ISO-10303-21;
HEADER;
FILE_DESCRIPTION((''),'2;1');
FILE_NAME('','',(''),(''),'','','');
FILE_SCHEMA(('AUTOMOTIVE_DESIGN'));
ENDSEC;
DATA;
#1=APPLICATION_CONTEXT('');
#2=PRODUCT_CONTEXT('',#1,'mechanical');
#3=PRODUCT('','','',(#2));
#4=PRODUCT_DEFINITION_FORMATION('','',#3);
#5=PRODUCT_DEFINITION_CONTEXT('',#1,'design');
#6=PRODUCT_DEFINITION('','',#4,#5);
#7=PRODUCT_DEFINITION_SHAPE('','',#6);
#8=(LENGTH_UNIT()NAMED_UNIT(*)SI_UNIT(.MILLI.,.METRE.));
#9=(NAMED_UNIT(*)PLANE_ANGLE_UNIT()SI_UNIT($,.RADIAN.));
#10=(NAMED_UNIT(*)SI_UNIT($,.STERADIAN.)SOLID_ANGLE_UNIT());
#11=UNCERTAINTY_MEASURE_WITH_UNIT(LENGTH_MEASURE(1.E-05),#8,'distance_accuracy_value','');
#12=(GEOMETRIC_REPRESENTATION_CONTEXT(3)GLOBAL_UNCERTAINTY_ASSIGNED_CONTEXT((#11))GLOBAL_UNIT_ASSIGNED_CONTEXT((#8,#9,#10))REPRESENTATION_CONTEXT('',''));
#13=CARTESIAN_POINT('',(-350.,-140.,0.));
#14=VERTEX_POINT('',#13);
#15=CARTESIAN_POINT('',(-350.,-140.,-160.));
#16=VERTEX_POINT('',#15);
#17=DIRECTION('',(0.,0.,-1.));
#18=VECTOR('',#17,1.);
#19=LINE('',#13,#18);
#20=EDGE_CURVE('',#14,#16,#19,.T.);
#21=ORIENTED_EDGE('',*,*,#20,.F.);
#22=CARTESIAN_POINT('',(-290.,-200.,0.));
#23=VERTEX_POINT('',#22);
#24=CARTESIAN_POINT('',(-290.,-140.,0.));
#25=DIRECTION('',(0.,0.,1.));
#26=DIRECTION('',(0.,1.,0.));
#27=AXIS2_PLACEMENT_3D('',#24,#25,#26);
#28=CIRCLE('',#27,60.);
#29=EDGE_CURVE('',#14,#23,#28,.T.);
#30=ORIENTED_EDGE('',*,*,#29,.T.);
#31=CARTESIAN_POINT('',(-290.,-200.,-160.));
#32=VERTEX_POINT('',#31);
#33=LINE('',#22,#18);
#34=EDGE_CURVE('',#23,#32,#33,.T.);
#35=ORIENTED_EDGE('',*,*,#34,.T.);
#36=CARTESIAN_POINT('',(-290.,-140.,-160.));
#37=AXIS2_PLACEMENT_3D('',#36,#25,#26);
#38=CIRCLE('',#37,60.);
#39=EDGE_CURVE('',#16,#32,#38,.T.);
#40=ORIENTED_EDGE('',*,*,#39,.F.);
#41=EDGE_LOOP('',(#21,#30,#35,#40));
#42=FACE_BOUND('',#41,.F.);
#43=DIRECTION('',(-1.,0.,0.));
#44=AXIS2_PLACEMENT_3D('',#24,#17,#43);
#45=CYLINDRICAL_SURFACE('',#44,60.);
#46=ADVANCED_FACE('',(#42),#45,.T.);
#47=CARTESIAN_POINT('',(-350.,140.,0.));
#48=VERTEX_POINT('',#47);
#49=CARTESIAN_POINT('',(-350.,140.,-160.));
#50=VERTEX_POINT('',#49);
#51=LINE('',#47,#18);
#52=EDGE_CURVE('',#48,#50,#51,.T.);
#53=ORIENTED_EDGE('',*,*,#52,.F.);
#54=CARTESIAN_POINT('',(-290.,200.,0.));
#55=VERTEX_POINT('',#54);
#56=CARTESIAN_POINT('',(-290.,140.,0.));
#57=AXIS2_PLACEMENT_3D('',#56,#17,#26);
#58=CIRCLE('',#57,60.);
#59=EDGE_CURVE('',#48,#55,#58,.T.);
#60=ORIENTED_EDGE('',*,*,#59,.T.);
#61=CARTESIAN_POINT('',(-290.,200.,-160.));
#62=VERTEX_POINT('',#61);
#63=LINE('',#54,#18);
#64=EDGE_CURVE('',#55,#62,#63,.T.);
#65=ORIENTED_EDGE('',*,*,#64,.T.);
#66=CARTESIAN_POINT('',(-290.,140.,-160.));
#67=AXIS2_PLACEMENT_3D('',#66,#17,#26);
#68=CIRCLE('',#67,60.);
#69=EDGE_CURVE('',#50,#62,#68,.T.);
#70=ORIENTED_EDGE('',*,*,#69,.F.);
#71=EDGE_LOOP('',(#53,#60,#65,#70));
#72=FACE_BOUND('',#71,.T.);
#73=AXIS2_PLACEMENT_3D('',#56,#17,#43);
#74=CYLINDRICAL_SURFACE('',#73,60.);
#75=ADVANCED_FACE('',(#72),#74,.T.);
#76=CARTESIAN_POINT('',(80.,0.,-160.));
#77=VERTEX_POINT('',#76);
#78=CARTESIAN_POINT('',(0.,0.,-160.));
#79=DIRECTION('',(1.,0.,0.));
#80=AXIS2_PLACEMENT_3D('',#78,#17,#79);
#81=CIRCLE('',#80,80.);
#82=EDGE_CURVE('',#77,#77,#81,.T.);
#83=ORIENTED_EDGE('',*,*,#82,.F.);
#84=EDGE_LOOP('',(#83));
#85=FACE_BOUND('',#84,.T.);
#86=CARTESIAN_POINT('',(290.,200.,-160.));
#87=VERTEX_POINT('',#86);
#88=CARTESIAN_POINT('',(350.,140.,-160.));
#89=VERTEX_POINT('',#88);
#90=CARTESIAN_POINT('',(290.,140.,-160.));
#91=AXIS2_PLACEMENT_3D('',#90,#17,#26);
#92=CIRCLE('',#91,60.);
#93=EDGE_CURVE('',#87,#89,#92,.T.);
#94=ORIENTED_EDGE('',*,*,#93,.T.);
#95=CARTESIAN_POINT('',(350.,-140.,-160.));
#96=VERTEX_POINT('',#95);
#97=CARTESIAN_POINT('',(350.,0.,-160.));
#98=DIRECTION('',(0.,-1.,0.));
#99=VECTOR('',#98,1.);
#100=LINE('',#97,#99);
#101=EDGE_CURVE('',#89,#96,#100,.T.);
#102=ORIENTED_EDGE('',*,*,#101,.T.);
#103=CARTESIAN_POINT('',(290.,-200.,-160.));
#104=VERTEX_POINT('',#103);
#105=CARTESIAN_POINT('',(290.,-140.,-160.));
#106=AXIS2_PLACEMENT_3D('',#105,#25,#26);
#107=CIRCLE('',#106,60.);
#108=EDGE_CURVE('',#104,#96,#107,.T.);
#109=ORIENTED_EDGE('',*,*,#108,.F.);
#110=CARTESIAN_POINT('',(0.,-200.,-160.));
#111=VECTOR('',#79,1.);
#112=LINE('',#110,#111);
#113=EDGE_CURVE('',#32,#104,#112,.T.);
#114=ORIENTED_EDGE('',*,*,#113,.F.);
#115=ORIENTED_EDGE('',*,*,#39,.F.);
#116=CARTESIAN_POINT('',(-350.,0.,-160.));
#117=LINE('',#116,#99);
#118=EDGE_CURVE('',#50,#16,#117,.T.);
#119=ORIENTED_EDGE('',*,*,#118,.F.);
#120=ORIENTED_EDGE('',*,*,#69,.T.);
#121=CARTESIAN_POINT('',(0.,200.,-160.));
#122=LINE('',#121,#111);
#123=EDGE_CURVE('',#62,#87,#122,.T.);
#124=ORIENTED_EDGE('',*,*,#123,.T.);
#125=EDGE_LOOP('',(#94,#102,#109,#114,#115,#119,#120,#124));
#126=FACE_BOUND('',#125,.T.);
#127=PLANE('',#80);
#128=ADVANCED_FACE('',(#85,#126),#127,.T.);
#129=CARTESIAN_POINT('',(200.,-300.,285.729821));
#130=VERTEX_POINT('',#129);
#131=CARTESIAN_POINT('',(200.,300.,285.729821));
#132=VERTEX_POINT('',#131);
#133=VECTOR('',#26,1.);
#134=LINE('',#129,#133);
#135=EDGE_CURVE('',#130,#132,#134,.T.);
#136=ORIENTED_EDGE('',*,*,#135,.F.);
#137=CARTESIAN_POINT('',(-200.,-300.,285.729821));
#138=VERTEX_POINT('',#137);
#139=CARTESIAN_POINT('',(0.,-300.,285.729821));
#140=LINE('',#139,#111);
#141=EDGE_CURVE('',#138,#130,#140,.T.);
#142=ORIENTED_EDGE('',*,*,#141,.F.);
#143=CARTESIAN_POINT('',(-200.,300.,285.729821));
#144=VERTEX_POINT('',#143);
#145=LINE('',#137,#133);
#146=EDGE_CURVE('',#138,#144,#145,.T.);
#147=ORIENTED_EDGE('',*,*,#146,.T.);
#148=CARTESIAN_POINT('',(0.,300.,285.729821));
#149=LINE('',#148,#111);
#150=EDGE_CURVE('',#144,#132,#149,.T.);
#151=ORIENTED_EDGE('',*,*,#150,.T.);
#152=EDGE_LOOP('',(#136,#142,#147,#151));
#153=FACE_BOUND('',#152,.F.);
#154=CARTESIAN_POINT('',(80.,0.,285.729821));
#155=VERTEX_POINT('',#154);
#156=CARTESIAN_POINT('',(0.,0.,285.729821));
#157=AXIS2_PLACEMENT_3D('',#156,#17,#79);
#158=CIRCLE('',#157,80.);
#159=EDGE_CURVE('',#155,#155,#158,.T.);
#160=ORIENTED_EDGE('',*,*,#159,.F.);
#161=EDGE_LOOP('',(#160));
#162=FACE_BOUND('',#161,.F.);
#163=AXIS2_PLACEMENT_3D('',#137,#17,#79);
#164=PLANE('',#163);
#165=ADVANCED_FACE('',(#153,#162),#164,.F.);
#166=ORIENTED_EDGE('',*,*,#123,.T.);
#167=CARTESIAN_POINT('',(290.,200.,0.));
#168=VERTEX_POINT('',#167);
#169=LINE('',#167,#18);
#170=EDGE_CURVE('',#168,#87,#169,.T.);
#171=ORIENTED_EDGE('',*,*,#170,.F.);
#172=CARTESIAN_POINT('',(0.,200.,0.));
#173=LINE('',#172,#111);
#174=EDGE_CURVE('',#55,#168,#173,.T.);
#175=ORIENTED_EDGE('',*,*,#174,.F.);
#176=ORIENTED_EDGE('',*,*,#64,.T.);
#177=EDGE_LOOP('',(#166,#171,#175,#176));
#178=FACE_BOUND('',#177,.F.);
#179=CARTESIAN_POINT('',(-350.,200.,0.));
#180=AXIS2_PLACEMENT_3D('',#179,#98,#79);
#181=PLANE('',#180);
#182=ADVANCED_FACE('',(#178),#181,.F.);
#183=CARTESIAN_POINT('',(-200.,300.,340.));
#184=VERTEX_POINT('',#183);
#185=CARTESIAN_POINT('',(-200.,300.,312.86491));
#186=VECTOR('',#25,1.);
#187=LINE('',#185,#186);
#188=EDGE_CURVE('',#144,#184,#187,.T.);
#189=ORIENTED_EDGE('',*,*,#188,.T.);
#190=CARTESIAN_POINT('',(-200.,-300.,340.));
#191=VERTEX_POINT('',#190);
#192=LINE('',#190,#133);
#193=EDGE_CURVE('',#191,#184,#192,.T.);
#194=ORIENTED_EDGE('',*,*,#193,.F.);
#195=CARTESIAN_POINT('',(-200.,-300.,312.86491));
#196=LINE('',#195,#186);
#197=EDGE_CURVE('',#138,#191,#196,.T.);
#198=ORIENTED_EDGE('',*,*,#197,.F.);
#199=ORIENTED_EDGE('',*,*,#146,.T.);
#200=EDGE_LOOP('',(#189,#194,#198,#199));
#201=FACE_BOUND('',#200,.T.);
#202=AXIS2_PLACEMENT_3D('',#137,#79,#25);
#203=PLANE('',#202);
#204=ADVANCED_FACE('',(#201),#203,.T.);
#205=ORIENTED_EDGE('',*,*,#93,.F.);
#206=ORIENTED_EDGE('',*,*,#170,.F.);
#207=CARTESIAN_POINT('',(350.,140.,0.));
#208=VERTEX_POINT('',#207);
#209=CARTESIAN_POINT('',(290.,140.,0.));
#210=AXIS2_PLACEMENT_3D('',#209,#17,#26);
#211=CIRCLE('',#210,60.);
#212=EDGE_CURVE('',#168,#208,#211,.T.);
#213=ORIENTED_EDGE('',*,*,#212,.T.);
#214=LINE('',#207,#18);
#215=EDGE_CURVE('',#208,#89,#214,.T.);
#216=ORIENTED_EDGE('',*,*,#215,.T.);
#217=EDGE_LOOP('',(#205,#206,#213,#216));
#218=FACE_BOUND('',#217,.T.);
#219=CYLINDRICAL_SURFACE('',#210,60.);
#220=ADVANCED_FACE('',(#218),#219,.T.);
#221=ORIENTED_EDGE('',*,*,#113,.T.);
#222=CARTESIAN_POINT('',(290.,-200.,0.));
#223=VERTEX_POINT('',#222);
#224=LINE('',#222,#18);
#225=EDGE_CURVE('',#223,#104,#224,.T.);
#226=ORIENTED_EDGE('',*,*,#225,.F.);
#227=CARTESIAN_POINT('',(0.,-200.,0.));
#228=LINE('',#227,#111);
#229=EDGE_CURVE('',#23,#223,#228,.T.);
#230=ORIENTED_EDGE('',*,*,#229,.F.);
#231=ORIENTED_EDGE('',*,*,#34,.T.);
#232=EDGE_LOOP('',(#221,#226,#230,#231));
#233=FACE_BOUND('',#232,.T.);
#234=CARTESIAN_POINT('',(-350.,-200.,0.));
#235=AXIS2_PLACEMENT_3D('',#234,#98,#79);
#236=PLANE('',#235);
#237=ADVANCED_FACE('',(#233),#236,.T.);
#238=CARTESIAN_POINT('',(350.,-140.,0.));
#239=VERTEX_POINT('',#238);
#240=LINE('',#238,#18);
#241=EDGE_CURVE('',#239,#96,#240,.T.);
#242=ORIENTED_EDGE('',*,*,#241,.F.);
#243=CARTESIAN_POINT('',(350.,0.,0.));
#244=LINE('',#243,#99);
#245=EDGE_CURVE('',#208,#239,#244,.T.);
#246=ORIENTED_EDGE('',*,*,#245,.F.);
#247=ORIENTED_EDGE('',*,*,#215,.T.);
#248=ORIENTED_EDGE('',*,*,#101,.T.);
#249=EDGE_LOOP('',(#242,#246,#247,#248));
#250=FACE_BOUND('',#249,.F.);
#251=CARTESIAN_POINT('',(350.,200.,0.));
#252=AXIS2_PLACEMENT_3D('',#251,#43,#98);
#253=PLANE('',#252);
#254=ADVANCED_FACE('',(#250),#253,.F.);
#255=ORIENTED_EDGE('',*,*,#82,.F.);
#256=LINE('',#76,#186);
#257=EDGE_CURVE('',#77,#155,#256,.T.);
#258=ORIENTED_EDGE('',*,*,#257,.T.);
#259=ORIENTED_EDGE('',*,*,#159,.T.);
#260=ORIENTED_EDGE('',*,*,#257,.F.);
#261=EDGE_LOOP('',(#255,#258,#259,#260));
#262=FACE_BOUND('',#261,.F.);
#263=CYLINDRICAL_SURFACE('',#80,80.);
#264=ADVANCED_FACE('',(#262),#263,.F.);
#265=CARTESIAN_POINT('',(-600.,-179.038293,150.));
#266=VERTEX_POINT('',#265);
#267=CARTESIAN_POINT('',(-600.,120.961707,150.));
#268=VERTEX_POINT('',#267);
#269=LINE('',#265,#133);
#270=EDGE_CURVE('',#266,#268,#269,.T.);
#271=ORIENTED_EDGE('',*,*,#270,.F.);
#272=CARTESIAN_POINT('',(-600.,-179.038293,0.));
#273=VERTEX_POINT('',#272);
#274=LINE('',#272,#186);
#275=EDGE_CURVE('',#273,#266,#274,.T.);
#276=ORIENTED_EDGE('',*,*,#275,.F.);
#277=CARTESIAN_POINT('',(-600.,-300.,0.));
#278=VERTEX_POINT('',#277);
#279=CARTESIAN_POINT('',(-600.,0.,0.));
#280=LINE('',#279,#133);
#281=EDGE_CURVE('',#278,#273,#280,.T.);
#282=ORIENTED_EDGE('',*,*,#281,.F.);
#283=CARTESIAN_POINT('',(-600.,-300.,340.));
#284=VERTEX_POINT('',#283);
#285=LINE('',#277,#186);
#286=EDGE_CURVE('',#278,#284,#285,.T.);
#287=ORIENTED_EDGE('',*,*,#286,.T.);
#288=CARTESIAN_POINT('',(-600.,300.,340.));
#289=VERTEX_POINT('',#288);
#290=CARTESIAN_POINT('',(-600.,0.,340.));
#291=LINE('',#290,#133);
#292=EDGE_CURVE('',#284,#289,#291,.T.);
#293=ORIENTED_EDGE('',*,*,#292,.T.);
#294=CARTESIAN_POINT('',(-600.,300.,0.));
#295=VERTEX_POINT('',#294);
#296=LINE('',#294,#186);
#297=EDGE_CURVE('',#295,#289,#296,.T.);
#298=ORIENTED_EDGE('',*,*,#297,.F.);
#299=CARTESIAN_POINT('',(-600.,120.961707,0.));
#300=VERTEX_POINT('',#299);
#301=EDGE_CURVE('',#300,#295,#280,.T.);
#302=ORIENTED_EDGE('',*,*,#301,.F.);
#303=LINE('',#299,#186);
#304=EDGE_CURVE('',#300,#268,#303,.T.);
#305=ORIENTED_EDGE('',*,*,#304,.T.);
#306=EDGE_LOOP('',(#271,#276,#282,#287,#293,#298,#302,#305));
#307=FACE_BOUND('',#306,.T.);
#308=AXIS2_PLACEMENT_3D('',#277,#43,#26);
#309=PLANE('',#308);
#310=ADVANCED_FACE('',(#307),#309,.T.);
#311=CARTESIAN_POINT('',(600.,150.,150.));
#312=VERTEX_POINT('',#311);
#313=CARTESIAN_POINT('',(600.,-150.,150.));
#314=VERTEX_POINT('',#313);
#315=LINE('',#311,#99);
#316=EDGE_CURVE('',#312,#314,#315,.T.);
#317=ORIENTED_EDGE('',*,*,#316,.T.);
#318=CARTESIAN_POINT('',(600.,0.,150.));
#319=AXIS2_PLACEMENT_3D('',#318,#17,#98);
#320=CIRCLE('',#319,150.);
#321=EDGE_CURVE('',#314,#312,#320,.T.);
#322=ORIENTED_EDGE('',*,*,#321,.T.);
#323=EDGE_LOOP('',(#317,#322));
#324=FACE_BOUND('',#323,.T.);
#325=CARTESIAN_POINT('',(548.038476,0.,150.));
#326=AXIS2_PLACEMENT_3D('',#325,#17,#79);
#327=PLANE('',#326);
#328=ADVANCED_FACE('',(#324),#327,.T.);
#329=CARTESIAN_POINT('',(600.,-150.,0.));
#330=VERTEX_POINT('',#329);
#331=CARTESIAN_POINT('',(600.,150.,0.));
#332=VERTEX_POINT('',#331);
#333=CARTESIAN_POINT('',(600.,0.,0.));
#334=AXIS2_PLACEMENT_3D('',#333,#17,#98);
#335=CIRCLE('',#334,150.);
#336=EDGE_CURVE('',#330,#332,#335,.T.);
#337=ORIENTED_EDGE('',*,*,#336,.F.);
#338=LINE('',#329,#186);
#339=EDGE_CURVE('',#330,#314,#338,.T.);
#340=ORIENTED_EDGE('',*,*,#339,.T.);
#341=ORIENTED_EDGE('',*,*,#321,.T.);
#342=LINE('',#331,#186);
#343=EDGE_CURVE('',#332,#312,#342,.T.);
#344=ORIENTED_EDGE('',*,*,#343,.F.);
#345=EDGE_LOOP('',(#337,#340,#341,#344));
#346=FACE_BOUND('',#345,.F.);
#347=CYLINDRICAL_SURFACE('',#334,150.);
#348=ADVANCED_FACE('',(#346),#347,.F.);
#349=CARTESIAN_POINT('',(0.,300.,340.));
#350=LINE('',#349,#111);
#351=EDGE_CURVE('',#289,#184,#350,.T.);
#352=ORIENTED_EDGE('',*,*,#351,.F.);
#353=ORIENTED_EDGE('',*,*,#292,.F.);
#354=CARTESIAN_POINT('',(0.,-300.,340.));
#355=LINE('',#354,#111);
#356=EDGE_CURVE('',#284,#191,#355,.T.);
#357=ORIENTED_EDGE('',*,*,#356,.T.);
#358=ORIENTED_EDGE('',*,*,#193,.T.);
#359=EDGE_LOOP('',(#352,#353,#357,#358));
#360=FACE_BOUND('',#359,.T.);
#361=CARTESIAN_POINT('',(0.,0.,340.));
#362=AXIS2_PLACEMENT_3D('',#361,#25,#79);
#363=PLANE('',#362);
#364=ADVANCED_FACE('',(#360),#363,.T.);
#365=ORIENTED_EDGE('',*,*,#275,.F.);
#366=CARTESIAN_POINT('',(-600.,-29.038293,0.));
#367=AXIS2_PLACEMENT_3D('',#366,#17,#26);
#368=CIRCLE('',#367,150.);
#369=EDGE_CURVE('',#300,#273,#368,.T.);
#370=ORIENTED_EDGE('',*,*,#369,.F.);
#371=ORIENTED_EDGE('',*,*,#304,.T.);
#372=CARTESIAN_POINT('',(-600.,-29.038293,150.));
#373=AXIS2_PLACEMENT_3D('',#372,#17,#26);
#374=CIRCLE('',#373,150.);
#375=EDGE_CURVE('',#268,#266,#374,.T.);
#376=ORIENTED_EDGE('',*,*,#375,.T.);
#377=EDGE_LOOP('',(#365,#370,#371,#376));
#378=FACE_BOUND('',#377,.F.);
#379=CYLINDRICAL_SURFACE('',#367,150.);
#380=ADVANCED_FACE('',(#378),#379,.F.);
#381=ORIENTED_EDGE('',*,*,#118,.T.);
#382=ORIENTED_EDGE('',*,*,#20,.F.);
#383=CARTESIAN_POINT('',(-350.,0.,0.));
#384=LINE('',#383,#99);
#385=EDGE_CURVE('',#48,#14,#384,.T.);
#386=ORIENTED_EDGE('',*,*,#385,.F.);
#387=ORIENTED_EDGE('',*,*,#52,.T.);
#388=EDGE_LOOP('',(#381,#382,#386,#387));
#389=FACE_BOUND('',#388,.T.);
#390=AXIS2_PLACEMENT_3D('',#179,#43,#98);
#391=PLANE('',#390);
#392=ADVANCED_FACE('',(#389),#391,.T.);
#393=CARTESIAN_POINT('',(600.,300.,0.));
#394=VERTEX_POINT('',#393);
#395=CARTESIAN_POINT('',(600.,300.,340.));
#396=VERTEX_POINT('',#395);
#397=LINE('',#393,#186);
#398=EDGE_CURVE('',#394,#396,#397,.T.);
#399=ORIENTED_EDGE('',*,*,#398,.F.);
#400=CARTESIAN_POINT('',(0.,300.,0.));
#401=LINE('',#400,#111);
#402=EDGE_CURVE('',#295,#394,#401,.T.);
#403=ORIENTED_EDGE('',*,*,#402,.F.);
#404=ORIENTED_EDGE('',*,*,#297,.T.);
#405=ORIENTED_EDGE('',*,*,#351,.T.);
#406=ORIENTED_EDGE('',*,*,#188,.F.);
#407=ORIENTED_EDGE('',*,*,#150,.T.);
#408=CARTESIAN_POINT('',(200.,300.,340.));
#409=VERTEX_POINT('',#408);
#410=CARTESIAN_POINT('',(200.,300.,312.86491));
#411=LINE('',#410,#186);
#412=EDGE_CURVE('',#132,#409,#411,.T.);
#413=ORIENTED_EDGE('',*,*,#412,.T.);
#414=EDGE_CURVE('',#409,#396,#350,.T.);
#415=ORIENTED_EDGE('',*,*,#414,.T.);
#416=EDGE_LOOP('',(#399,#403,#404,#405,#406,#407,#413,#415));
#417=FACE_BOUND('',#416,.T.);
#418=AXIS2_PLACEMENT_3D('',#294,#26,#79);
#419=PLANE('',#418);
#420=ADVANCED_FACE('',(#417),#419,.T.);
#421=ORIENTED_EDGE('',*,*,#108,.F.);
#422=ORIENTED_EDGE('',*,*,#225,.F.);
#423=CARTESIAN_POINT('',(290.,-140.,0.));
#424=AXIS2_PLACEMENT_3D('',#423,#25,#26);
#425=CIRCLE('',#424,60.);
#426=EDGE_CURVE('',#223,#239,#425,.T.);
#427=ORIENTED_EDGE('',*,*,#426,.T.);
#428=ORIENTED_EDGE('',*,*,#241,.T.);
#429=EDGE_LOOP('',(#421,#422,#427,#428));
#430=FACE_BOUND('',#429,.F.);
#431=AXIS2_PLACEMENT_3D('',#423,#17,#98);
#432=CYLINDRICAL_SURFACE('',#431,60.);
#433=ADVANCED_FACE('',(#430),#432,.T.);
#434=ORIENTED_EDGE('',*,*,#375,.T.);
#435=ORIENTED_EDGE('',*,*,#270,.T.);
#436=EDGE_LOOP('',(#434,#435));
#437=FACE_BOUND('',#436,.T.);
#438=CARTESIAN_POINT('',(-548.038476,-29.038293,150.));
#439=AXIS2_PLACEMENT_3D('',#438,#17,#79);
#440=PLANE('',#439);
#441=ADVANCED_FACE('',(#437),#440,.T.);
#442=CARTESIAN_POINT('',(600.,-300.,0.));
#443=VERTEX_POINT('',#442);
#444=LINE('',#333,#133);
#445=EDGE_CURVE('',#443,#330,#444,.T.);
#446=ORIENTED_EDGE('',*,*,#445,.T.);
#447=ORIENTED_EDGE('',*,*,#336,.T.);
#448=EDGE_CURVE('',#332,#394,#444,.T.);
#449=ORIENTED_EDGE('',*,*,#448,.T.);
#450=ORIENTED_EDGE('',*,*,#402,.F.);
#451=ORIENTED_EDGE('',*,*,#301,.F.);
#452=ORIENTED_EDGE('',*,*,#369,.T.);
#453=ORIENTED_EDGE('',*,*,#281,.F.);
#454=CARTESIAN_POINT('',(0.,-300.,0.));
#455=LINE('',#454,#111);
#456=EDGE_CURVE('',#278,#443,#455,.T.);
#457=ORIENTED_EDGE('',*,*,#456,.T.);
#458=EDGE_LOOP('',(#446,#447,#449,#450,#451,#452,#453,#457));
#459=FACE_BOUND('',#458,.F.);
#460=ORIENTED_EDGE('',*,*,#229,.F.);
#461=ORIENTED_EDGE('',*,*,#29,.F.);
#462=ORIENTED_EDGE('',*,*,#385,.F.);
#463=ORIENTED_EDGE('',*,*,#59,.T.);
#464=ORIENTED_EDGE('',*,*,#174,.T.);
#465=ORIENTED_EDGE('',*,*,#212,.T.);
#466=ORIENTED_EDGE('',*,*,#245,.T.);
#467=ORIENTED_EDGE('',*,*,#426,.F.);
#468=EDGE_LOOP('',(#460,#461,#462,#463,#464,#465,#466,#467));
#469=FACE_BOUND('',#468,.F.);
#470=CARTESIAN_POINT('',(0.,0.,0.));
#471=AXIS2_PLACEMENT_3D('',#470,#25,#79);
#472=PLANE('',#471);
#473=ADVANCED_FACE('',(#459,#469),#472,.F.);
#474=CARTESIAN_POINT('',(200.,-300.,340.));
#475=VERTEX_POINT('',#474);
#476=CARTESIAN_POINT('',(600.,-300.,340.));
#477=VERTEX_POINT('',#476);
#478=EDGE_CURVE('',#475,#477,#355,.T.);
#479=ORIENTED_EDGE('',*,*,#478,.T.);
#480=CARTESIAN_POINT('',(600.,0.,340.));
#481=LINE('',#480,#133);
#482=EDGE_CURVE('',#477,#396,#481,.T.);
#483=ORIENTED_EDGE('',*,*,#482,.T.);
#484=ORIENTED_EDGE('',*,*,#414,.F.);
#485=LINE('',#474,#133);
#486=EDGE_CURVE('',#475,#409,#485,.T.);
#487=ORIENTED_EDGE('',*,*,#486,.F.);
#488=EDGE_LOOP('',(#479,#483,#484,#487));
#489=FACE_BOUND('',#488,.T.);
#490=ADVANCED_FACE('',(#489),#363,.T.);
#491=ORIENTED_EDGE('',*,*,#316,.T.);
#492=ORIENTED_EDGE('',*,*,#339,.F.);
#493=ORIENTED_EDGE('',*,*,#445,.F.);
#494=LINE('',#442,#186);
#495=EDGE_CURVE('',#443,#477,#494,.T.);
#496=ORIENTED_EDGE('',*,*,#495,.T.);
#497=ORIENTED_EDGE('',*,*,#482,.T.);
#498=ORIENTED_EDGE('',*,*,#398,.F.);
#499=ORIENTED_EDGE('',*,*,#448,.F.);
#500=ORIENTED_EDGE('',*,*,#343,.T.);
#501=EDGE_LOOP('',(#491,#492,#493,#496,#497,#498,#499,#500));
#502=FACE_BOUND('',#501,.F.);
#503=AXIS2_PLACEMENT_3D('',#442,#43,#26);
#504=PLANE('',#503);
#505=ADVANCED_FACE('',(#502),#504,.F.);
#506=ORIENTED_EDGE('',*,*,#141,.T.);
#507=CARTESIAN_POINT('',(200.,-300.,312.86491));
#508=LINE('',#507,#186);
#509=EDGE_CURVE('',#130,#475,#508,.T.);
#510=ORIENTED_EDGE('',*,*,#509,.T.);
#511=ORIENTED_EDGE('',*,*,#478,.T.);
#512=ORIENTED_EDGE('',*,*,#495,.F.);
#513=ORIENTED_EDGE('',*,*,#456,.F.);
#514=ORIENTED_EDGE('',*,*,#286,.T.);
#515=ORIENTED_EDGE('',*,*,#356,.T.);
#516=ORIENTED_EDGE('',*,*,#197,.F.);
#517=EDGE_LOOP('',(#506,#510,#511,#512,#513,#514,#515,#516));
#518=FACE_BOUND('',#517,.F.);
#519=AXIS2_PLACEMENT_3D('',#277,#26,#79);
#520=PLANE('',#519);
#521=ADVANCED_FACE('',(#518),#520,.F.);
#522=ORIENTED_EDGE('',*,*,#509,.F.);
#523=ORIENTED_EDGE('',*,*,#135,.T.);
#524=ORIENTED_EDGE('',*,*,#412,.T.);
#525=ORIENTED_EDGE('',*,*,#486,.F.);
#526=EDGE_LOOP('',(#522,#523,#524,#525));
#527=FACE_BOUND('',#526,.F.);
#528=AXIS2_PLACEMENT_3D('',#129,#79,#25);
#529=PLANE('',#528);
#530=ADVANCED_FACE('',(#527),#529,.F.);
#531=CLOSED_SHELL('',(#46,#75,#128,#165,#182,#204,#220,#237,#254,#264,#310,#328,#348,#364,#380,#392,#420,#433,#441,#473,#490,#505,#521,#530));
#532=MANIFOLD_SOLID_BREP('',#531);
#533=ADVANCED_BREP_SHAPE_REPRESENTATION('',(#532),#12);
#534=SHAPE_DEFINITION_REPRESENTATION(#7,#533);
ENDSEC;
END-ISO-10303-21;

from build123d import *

# Parameters (mm, degrees)
F0_W      = 1200
F0_H      = 600
F1_DEPTH  = 340
F2_W      = 400
F2_H      = 54.2701794954
F3_DEPTH  = 600
F4_W      = 700
F4_H      = 400
F5_DEPTH  = 160
F6_R      = 80
F7_DEPTH  = 500.001
F9_DEPTH  = 150
F10_R     = 60
F11_DEPTH = 150


with BuildPart() as f1:
    # F0 (on Top) → F1 (new body)
    with BuildSketch(Plane.XY):
        Rectangle(F0_W, F0_H)
    extrude(amount=F1_DEPTH)

    # F2 (on face) → F3 (cut)
    with BuildSketch(Plane.XZ.offset(300)):
        with Locations((0, 312.8649102523)):
            Rectangle(F2_W, F2_H)
    extrude(amount=-F3_DEPTH, mode=Mode.SUBTRACT)

    # F4 (on face) → F5 (join)
    with BuildSketch(Plane(origin=(0, 0, 0), x_dir=(1, 0, 0), z_dir=(0, 0, -1))):
        Rectangle(F4_W, F4_H)
    extrude(amount=F5_DEPTH)

    # F6 (on face) → F7 (cut, through all)
    with BuildSketch(Plane(origin=(0, 0, -160), x_dir=(1, 0, 0), z_dir=(0, 0, -1))):
        Circle(F6_R)
    extrude(amount=-F7_DEPTH, mode=Mode.SUBTRACT)

    # F8 (on face) → F9 (cut)
    with BuildSketch(Plane(origin=(0, 0, 0), x_dir=(1, 0, 0), z_dir=(0, 0, -1))):
        with BuildLine():
            Line((600, -150), (600, 150))
            ThreePointArc((600, 150), (450, 0), (600, -150))
        make_face()
    extrude(amount=-F9_DEPTH, mode=Mode.SUBTRACT)

    # F10
    f10_edges = [f1.edges().sort_by_distance(p)[0] for p in [
        (-350, 200, -80),
        (350, 200, -80),
        (350, -200, -80),
        (-350, -200, -80),
    ]]
    fillet(f10_edges, radius=F10_R)

    # F8 (on face) → F11 (cut)
    with BuildSketch(Plane(origin=(0, 0, 0), x_dir=(1, 0, 0), z_dir=(0, 0, -1))):
        with BuildLine():
            ThreePointArc((-600, -120.9617067128), (-493.933982822, -77.0277238908), (-450, 29.0382932872))
            ThreePointArc((-450, 29.0382932872), (-493.933982822, 135.1043104651), (-600, 179.0382932872))
            Line((-600, 179.0382932872), (-600, -120.9617067128))
        make_face()
    extrude(amount=-F11_DEPTH, mode=Mode.SUBTRACT)


solid = f1.part
